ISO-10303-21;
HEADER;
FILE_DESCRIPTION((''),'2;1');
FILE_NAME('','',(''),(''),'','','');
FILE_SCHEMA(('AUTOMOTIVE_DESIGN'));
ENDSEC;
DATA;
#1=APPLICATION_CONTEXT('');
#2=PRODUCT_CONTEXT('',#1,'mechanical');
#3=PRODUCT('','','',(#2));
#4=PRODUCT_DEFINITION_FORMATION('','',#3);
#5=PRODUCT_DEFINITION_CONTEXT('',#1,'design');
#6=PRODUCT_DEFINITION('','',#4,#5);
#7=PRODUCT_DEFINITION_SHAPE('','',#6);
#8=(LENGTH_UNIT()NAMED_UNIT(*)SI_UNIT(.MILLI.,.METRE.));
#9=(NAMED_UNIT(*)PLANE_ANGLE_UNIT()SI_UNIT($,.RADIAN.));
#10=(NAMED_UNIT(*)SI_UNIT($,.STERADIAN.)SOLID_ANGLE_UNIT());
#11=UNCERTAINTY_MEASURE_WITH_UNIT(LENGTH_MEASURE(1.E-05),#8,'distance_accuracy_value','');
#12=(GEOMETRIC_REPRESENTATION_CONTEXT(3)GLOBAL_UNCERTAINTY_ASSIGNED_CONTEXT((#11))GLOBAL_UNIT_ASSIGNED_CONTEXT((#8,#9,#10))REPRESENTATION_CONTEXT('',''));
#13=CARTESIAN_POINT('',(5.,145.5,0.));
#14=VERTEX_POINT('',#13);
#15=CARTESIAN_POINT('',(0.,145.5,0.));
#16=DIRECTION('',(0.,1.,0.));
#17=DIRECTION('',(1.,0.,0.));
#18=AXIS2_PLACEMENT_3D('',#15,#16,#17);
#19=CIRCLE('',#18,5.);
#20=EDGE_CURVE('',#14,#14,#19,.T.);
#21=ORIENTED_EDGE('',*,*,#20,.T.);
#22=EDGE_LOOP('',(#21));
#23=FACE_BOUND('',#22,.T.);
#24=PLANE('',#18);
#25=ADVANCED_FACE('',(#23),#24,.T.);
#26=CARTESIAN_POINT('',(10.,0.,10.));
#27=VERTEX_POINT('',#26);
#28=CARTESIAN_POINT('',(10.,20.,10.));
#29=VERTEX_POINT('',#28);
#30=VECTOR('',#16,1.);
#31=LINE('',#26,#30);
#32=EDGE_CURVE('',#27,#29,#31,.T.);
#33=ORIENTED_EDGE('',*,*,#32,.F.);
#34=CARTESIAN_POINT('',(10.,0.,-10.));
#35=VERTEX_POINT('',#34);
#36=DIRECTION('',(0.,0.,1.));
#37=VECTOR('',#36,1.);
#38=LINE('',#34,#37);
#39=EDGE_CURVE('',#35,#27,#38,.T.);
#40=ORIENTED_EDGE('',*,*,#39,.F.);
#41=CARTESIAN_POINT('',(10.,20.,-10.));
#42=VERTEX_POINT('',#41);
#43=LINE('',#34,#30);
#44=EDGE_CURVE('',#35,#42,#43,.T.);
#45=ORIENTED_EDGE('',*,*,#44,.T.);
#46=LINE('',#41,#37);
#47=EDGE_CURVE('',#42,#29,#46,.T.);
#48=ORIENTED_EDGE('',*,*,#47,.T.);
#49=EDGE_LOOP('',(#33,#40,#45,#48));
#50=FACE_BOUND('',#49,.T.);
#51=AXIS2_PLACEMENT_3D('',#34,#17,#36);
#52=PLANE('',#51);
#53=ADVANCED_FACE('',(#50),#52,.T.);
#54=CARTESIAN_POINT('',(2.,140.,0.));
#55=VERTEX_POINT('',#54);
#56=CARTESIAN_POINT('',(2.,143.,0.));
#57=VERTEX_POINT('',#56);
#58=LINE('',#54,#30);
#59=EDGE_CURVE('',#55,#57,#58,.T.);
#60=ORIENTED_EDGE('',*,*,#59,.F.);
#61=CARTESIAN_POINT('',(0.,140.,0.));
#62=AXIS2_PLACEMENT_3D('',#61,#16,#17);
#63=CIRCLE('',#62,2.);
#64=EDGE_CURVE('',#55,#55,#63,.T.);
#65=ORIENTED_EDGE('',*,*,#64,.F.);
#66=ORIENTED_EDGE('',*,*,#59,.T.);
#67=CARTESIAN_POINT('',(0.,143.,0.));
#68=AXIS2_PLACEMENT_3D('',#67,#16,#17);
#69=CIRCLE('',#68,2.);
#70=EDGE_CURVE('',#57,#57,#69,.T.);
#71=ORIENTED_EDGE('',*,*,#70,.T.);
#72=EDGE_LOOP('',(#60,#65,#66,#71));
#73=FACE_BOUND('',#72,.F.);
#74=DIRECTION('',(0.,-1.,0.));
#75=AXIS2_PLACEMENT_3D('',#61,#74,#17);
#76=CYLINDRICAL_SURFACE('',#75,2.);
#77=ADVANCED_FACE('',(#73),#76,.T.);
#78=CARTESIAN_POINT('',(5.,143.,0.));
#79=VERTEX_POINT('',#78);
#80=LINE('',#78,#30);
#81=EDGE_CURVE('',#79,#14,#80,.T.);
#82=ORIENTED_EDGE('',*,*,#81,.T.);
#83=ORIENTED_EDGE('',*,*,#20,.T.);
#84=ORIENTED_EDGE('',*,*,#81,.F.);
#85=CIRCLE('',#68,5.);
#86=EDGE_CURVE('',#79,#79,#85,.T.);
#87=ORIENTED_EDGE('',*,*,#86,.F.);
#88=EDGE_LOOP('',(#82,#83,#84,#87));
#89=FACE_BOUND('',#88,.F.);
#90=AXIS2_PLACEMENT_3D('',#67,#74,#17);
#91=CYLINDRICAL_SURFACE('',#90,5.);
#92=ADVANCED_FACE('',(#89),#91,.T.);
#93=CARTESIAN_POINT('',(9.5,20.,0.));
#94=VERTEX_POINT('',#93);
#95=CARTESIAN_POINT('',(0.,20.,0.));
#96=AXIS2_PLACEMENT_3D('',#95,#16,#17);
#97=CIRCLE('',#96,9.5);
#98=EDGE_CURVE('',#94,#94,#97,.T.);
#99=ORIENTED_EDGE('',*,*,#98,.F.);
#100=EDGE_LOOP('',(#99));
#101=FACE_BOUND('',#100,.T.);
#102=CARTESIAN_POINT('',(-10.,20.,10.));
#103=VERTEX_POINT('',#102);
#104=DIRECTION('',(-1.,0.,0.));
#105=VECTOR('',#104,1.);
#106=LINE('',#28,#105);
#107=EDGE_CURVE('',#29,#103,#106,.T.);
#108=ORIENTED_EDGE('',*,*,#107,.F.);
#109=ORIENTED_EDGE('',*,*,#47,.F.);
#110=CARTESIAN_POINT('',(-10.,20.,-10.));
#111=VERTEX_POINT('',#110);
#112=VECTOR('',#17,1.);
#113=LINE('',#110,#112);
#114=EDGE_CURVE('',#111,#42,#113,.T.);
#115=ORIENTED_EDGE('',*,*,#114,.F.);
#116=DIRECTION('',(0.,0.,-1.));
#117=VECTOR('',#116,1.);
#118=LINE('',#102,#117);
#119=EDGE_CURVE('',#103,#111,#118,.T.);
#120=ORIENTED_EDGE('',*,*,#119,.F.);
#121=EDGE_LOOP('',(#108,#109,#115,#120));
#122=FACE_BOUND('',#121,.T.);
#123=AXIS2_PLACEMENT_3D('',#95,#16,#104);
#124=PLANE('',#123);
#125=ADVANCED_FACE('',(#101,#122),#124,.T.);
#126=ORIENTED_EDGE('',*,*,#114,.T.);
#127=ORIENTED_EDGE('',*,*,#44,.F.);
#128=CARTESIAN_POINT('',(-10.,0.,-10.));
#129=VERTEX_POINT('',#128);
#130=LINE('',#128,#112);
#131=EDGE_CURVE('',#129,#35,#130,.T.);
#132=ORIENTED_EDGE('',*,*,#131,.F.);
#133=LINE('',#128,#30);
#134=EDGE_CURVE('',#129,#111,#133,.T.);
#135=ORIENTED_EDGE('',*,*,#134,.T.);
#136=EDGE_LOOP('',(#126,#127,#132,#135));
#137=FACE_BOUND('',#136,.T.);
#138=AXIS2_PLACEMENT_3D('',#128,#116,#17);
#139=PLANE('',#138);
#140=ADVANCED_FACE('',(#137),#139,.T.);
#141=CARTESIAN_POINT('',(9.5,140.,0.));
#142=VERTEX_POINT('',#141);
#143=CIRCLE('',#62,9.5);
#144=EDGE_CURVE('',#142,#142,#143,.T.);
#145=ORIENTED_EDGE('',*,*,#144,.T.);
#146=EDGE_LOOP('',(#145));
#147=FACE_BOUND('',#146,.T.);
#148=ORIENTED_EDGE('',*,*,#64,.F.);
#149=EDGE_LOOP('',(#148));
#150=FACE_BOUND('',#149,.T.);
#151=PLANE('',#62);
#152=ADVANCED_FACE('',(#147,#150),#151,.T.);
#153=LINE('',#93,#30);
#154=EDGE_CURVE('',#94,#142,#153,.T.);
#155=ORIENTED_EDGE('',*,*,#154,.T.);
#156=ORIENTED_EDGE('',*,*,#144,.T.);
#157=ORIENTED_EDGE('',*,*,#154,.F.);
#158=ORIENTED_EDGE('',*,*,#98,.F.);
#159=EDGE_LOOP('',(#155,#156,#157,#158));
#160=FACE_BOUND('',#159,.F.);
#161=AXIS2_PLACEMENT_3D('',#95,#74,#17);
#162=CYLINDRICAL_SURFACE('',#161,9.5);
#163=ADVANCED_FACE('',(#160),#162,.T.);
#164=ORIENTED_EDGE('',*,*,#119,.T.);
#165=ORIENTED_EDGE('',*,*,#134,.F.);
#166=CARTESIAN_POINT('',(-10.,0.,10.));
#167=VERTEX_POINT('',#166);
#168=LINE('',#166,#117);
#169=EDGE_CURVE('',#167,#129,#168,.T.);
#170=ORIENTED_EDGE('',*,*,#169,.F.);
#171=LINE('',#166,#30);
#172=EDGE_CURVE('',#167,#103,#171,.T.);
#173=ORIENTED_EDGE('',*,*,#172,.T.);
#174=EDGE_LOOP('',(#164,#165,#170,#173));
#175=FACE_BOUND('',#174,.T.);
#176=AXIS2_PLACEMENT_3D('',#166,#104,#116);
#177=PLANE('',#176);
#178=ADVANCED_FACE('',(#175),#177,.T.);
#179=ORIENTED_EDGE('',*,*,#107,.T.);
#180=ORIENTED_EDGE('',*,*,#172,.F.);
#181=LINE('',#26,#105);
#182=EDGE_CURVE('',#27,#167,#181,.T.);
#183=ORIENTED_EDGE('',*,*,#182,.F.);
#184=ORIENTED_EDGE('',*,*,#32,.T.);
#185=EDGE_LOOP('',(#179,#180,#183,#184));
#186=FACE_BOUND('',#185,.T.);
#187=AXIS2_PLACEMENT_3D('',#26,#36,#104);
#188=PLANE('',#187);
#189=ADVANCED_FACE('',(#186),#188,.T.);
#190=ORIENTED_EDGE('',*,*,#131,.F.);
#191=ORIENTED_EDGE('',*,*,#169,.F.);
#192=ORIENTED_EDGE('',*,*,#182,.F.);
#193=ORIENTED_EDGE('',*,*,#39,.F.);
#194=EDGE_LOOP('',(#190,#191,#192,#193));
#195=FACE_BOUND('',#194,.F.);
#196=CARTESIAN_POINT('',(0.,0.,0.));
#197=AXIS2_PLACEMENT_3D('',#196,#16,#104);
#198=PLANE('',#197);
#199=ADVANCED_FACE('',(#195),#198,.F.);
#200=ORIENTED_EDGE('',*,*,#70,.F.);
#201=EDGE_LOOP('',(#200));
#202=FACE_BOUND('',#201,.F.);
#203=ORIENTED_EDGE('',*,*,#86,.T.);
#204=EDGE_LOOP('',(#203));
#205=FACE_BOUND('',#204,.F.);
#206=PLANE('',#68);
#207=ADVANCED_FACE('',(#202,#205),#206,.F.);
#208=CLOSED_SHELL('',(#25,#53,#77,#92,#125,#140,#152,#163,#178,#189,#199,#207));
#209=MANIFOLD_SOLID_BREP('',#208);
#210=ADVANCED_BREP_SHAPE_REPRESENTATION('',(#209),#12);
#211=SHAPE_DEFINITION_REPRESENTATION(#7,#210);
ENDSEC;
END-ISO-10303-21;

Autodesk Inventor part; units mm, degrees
ref_plane "YZ Plane" through (0, 0, 0) normal (1, 0, 0) x (0, 1, 0)
ref_plane "XZ Plane" through (0, 0, 0) normal (0, 1, 0) x (-1, 0, 0)
ref_plane "XY Plane" through (0, 0, 0) normal (0, 0, 1) x (1, 0, 0)
sketch "Sketch1" plane through (0, 0, 0) normal (0, 1, 0) x (-1, 0, 0)
  line L0 (-10, 10) -> (10, 10)
  line L1 (10, 10) -> (10, -10)
  line L2 (10, -10) -> (-10, -10)
  line L3 (-10, -10) -> (-10, 10)
  line L4 (-10, 10) -> (10, -10) construction
  line L5 (10, 10) -> (-10, -10) construction
  point P0 (0, 0)
  dimension "d0" = 20
  dimension "d1" = 20
extrude "Extrusion1" add sketch "Sketch1" along normal blind 20
sketch "Sketch2" plane through (0, 20, 0) normal (0, 1, 0) x (1, 0, 0)
  circle A0 centre (0, 0) radius 9.5
  dimension "d4" = 19
extrude "Extrusion2" add sketch "Sketch2" along normal blind 120
sketch "Sketch3" plane through (0, 140, 0) normal (0, 1, 0) x (1, 0, 0)
  circle A0 centre (0, 0) radius 2
  dimension "d7" = 4
extrude "Extrusion3" add sketch "Sketch3" along normal blind 3
sketch "Sketch4" plane through (0, 143, 0) normal (0, 1, 0) x (1, 0, 0)
  circle A0 centre (0, 0) radius 5
  dimension "d10" = 10
extrude "Extrusion4" add sketch "Sketch4" along normal blind 2.5
thread "Thread1" size "TR16x4" class "7e" standard "ISO Metric Trapezoidal Threads" full length
properties part number "Trapezspindle" material "Steel"
